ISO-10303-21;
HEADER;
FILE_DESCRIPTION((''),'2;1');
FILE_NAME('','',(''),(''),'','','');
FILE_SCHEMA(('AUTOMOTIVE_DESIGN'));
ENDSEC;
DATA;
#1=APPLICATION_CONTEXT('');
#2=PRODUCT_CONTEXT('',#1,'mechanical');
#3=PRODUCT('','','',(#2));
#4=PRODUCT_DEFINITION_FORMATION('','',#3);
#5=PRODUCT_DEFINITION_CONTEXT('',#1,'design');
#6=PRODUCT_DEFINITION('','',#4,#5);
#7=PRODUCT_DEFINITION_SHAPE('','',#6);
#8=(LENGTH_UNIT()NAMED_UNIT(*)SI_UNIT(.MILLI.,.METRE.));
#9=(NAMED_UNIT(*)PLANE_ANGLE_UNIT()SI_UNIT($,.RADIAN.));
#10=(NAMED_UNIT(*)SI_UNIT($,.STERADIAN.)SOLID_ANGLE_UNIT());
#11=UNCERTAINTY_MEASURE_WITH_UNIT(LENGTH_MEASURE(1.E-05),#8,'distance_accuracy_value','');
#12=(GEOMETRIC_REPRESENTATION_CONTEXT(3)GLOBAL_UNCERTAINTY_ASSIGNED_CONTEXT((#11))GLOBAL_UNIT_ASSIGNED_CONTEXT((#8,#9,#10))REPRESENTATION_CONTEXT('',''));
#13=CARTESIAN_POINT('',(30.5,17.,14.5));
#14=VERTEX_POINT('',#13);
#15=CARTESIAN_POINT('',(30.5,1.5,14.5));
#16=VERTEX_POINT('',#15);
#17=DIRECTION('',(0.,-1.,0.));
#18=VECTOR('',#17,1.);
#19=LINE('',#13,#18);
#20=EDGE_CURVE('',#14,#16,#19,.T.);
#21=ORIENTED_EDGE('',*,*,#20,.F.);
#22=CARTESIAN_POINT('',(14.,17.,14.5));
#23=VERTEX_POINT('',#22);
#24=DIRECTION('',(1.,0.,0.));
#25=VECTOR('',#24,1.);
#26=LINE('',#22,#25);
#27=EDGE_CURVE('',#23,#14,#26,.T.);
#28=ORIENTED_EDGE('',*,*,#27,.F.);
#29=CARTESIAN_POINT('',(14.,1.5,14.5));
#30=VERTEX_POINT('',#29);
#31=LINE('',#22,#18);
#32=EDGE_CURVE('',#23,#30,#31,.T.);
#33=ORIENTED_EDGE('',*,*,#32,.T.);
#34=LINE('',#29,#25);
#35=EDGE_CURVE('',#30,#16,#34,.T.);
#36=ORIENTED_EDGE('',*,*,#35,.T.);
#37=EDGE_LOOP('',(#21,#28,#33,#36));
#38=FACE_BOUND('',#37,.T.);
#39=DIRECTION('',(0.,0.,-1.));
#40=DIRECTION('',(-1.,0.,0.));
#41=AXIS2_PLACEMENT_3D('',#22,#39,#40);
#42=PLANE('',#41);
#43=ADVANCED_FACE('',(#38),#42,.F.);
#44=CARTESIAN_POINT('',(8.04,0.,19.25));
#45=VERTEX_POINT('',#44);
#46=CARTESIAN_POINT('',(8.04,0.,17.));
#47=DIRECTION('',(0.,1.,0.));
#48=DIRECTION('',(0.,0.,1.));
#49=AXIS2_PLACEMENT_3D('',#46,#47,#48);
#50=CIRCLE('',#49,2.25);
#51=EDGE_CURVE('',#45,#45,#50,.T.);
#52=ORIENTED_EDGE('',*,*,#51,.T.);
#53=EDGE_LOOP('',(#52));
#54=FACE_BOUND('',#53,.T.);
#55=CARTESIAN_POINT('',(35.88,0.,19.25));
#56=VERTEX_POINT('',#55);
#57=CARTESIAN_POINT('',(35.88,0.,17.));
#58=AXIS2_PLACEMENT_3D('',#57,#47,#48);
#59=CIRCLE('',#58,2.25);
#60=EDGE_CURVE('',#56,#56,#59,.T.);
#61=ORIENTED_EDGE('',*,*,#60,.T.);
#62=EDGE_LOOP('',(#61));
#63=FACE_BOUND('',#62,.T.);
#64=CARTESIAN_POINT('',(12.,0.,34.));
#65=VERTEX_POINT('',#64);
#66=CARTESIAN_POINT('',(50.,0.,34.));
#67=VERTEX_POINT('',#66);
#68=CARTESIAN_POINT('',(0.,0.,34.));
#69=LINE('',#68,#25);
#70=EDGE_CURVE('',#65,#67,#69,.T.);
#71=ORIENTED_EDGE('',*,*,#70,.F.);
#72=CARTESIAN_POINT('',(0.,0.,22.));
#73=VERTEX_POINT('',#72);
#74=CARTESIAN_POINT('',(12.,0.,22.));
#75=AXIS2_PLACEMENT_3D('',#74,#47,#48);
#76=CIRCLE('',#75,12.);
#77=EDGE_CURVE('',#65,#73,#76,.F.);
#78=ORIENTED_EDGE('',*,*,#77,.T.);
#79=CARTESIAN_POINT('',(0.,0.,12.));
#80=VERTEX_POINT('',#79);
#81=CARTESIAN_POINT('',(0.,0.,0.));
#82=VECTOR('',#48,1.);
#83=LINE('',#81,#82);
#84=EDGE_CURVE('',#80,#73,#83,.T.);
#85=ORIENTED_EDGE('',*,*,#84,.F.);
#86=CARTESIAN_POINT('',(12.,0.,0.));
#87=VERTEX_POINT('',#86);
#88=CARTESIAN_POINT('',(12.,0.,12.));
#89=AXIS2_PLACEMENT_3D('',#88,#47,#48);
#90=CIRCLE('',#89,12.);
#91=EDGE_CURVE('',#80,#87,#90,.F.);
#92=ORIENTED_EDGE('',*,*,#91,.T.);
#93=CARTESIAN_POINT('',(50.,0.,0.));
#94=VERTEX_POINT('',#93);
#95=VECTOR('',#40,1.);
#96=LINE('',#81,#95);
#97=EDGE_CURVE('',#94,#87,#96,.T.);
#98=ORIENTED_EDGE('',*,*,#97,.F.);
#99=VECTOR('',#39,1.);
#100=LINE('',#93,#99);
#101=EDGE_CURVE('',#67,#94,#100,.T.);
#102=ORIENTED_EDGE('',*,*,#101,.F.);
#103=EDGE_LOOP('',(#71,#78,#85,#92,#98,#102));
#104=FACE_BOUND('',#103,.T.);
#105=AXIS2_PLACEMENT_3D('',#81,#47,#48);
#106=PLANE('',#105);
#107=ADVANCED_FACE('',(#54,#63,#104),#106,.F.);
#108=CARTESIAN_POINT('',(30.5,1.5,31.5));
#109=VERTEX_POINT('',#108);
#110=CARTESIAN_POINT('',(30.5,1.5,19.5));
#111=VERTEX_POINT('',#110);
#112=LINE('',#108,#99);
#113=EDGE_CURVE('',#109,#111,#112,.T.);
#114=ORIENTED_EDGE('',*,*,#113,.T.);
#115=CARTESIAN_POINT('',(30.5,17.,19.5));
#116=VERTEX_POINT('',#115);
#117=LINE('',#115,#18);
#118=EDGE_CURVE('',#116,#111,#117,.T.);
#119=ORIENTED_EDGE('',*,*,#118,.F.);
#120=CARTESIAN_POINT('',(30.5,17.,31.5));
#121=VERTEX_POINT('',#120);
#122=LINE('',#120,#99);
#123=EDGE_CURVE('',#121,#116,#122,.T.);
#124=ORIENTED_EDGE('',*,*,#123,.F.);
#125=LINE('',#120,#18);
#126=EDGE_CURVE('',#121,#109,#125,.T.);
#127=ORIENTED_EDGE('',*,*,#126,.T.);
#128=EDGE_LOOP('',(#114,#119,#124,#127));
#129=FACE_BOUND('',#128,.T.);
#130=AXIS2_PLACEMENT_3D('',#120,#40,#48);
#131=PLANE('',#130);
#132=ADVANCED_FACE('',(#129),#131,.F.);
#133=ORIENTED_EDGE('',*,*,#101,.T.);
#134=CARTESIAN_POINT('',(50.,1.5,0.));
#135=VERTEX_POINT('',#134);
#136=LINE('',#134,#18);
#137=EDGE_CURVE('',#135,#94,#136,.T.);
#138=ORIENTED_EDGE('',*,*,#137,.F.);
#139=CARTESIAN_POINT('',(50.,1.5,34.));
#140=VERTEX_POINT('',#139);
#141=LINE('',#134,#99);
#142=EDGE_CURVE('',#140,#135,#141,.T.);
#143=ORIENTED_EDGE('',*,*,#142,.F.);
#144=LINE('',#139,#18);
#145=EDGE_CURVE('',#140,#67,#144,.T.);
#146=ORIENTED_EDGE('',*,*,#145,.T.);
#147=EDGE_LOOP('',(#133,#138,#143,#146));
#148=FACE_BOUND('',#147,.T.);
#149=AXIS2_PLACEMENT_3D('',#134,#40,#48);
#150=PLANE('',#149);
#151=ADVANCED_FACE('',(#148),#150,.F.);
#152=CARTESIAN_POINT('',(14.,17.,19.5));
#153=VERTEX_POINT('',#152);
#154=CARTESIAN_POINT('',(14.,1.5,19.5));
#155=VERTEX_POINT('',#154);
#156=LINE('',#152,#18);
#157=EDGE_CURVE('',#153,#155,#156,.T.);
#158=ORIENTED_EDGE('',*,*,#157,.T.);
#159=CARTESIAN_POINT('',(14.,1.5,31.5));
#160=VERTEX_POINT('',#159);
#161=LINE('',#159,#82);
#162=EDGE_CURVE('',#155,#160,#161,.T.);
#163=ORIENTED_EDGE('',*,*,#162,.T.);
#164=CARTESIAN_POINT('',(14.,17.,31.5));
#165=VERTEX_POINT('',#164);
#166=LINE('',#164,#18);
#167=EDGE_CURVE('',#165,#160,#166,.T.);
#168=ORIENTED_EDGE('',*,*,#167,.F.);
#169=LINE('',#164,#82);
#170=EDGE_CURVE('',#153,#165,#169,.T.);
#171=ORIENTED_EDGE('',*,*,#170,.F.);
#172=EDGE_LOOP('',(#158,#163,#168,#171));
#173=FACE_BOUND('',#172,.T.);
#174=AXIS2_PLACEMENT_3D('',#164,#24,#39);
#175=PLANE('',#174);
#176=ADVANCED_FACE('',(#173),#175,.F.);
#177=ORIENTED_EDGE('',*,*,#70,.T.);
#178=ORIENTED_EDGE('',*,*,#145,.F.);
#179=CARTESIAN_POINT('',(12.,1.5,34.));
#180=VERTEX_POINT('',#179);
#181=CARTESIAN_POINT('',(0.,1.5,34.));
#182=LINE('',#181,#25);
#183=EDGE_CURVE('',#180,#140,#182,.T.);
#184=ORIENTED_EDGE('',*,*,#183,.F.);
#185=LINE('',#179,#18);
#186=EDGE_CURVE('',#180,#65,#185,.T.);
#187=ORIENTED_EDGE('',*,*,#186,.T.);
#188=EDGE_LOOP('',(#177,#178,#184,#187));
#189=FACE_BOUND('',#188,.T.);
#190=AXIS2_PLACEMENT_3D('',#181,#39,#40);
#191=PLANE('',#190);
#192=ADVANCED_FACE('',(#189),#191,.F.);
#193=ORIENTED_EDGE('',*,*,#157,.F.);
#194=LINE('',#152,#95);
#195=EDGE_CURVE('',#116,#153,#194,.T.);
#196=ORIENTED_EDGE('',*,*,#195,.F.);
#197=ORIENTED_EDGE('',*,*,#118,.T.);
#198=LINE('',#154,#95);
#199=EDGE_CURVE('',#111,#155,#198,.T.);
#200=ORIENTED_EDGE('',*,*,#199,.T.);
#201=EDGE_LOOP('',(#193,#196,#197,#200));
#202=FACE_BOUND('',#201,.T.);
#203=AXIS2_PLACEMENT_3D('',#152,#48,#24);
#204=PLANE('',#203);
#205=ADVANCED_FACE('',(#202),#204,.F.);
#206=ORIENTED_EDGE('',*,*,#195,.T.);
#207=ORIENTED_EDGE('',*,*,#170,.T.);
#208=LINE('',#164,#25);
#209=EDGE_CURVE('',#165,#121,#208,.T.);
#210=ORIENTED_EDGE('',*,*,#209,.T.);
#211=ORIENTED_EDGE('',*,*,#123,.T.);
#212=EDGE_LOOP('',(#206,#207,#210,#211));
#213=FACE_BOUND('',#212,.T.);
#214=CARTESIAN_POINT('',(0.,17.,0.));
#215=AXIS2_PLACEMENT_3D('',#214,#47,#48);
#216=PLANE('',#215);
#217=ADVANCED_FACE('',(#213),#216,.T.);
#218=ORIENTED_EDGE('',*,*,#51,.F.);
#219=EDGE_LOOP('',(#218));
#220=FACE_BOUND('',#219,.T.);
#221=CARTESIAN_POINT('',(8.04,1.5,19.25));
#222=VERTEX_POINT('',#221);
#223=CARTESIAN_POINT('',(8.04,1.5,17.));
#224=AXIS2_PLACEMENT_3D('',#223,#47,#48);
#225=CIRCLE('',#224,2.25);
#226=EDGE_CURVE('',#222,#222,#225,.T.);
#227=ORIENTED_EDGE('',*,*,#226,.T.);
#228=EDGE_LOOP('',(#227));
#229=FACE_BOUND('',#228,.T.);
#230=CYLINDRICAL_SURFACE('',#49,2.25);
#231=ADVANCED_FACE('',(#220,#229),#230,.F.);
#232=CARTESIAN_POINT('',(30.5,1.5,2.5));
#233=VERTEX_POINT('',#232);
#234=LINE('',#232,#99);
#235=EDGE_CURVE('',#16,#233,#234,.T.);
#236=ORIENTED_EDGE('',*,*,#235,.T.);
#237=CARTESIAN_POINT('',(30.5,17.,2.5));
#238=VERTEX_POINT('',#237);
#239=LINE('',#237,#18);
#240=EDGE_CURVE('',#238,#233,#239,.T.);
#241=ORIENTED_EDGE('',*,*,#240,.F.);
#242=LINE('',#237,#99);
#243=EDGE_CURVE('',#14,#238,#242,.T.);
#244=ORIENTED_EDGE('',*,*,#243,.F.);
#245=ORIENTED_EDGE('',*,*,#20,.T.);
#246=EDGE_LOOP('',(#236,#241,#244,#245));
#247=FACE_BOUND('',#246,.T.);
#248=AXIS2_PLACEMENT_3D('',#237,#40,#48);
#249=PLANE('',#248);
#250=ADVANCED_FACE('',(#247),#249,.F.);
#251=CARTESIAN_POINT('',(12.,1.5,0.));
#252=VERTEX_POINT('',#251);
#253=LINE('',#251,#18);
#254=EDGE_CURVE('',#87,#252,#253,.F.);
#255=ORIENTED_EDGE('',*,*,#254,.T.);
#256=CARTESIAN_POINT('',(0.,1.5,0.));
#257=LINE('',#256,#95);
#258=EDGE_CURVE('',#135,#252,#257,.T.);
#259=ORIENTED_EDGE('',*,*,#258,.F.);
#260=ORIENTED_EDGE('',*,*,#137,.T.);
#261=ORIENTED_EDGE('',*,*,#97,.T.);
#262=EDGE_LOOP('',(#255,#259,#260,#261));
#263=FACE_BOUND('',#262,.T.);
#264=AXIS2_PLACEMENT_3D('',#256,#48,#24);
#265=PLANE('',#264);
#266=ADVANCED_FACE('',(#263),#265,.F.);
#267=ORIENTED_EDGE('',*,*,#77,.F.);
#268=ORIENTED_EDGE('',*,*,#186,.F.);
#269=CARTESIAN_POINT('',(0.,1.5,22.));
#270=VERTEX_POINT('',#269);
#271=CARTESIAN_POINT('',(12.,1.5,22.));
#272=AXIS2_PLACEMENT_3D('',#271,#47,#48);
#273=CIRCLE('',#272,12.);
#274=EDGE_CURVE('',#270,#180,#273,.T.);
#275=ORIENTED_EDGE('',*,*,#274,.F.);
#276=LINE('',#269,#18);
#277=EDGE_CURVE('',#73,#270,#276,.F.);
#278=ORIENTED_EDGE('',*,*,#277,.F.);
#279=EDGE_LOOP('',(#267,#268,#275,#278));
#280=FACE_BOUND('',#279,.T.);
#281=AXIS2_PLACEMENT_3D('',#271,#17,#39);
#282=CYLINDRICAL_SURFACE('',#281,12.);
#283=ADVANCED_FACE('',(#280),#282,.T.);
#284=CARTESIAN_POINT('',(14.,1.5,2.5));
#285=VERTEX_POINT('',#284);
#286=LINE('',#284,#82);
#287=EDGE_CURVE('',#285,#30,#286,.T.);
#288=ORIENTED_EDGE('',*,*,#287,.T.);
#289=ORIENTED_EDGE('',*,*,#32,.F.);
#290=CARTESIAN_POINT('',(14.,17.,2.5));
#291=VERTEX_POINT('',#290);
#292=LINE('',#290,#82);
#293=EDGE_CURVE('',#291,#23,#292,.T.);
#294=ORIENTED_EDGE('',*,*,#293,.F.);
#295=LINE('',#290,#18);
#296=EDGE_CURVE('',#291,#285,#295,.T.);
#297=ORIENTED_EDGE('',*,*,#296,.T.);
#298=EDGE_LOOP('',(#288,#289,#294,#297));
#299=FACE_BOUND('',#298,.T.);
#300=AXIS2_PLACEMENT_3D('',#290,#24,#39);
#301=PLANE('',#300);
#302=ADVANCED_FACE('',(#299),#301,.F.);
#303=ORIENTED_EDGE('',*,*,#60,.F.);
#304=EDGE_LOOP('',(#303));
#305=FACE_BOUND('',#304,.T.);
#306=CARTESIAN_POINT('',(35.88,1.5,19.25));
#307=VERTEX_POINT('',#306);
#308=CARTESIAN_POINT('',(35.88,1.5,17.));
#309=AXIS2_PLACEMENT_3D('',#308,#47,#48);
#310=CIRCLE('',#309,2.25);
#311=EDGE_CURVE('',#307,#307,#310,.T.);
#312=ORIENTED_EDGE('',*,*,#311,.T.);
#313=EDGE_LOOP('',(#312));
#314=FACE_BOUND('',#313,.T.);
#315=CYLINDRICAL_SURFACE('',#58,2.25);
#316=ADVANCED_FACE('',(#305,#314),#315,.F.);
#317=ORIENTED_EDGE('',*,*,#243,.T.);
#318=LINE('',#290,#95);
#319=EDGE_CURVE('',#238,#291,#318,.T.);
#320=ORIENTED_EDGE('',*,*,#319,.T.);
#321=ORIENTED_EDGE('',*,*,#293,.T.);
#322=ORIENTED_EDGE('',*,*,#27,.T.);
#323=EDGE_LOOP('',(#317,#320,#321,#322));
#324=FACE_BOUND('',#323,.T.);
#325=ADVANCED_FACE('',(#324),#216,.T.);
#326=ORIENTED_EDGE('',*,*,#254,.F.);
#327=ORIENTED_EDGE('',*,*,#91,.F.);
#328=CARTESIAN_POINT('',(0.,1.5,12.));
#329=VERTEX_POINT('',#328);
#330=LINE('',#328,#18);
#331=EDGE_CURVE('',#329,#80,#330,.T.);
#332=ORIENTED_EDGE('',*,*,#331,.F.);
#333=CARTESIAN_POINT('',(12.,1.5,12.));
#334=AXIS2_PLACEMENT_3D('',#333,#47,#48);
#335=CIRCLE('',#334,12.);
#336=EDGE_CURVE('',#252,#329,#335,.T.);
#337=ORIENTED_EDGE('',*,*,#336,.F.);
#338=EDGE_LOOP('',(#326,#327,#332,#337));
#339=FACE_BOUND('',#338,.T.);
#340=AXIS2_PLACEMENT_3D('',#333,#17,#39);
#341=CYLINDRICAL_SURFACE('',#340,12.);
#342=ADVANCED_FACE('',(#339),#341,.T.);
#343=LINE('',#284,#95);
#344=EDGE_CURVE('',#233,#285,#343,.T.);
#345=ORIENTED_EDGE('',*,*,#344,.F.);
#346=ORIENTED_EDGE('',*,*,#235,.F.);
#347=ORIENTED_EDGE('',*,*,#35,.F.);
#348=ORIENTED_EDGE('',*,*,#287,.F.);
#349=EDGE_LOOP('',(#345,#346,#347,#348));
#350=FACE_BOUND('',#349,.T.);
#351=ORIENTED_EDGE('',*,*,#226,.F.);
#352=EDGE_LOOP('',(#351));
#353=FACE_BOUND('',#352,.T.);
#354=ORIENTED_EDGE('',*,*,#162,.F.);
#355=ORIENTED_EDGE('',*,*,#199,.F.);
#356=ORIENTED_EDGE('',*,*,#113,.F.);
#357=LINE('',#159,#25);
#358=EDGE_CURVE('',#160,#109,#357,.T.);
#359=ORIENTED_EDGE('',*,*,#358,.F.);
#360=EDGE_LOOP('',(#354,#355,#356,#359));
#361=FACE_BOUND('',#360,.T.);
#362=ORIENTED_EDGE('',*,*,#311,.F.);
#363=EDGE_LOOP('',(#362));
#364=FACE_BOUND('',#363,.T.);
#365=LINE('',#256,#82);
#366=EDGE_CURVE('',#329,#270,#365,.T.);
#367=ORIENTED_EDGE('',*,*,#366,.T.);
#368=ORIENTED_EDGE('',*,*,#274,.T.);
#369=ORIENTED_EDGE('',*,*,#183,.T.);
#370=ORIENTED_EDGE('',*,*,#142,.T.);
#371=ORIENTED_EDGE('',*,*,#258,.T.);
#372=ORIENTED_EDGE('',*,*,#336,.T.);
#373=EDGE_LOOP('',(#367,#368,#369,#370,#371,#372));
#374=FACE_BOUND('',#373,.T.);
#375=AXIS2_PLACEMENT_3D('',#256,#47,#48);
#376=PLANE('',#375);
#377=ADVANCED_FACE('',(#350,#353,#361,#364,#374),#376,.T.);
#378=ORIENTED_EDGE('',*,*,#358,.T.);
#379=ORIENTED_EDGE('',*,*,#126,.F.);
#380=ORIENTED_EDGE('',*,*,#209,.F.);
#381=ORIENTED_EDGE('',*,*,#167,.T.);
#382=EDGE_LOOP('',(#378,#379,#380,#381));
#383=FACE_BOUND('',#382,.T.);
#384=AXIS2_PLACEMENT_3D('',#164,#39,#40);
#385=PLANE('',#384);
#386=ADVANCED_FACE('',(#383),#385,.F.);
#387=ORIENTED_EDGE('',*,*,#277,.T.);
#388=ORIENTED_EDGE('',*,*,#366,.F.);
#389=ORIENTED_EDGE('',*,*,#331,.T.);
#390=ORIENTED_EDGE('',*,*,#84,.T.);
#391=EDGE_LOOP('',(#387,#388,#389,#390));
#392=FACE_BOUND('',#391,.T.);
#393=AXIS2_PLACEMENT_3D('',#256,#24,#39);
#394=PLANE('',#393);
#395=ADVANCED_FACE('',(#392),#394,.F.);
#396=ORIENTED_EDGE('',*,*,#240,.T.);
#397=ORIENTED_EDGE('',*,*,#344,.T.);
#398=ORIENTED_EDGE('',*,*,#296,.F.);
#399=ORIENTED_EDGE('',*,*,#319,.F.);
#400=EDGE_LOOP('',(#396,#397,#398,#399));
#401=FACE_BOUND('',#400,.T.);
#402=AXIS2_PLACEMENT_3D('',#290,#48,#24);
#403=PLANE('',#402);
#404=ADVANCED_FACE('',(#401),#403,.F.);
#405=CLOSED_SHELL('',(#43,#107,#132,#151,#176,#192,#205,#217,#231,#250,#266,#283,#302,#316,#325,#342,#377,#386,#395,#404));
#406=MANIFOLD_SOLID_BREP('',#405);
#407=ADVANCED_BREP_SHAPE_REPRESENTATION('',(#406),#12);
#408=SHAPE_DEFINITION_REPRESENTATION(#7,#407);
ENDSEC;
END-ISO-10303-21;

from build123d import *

# Parameters (mm, degrees)
SKETCH1_W           = 50
SKETCH1_H           = 34
BOSS_EXTRUDE1_DEPTH = 1.5
FILLET1_R           = 12
SKETCH2_R           = 2.25
CUT_EXTRUDE1_DEPTH  = 1.5
SKETCH3_W           = 16.5
SKETCH3_H           = 12
BOSS_EXTRUDE2_DEPTH = 15.5


with BuildPart() as part:
    # Sketch1 → Boss-Extrude1 (new body)
    with BuildSketch(Plane(origin=(0, 0, 0), x_dir=(1, 0, 0), z_dir=(0, 1, 0))):
        with Locations((25, -17)):
            Rectangle(SKETCH1_W, SKETCH1_H)
    extrude(amount=BOSS_EXTRUDE1_DEPTH)

    # Fillet1
    fillet1_edges = [part.edges().sort_by_distance(p)[0] for p in [
        (0, 0.75, 0),
        (0, 0.75, 34),
    ]]
    fillet(fillet1_edges, radius=FILLET1_R)

    # Sketch2 → Cut-Extrude1 (cut)
    with BuildSketch(Plane(origin=(0, 1.5, 0), x_dir=(1, 0, 0), z_dir=(0, 1, 0))):
        with Locations(Location((8.04, -17, 0), (0, 0, 270))):
            Circle(SKETCH2_R)
        with Locations(Location((35.88, -17, 0), (0, 0, 270))):
            Circle(SKETCH2_R)
    extrude(amount=-CUT_EXTRUDE1_DEPTH, mode=Mode.SUBTRACT)

    # Sketch3 → Boss-Extrude2 (add)
    with BuildSketch(Plane(origin=(0, 1.5, 0), x_dir=(1, 0, 0), z_dir=(0, 1, 0))):
        with Locations((22.25, -8.5)):
            Rectangle(SKETCH3_W, SKETCH3_H)
        with Locations((22.25, -25.5)):
            Rectangle(SKETCH3_W, SKETCH3_H)
    extrude(amount=BOSS_EXTRUDE2_DEPTH)


solid = part.part
